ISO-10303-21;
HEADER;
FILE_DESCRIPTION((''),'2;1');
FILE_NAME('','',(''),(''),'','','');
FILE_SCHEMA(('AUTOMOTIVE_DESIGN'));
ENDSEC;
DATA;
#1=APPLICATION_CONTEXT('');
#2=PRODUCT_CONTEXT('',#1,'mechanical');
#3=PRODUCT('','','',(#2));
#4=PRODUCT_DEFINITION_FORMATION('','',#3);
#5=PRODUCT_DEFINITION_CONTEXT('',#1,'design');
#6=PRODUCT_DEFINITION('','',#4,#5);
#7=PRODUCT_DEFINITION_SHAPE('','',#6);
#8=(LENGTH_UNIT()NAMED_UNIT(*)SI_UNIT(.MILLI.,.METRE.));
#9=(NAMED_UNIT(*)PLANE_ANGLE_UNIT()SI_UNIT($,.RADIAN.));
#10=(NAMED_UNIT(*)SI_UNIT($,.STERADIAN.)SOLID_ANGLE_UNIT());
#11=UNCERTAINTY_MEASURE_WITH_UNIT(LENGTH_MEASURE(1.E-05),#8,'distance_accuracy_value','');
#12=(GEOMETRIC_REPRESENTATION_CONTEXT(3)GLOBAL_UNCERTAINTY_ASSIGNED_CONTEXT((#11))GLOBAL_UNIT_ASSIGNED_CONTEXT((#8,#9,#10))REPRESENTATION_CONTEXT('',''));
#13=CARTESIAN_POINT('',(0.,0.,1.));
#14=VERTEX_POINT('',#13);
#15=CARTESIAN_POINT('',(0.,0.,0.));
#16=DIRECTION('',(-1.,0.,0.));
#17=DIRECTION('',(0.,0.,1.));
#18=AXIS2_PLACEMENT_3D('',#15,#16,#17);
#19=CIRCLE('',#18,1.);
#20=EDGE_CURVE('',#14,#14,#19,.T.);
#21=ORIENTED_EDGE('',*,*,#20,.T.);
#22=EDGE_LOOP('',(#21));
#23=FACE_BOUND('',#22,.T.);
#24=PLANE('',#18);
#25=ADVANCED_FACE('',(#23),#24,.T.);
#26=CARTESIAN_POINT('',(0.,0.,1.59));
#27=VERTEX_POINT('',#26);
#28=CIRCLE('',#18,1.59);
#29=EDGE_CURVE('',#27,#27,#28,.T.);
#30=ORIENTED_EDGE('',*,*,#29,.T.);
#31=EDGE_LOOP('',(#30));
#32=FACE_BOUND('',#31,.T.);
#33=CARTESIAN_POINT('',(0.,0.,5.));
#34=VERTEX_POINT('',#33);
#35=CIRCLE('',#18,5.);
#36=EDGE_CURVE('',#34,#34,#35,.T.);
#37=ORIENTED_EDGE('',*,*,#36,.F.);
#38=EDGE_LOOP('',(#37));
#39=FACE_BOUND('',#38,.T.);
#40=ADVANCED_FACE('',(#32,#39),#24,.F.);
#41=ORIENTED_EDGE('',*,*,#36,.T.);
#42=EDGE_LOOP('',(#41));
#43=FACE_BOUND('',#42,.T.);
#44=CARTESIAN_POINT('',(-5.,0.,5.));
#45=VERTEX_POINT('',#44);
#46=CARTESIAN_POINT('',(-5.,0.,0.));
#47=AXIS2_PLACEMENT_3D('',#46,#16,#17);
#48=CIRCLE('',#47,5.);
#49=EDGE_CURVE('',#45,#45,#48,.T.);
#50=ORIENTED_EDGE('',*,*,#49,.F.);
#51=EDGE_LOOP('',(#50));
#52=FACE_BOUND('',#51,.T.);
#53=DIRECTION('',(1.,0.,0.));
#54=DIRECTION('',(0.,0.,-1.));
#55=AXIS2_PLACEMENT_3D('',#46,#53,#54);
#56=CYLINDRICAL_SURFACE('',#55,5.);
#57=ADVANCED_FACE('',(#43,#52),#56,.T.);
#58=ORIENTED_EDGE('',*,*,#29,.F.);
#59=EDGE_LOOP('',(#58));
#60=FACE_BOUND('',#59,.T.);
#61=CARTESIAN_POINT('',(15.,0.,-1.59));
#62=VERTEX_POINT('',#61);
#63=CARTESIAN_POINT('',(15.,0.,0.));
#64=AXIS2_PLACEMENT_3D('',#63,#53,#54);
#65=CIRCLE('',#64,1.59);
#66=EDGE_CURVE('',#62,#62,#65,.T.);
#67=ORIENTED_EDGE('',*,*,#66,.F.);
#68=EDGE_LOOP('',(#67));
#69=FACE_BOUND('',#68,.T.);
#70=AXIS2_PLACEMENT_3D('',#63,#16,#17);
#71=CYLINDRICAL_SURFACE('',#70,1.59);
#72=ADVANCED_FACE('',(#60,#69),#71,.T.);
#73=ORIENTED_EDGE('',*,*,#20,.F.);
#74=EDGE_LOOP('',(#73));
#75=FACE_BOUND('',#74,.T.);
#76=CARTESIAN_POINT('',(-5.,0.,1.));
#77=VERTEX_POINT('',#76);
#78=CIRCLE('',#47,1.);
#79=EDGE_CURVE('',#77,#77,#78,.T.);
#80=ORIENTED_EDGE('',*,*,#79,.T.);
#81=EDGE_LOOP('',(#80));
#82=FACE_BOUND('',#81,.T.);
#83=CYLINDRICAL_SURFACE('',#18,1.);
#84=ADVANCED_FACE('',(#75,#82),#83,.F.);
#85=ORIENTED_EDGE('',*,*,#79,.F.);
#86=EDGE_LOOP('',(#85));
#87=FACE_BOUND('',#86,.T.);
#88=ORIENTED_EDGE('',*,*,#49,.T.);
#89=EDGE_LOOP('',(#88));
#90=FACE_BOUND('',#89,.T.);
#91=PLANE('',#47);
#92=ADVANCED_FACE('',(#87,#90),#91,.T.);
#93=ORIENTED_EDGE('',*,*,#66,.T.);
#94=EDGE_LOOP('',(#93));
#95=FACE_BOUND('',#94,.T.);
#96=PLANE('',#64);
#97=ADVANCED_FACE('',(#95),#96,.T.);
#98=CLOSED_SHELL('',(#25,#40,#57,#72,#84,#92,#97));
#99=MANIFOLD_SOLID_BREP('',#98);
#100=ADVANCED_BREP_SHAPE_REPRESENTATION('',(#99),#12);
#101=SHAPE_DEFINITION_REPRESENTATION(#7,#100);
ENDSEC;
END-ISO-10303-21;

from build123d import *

# Parameters (mm, degrees)
ESBO_O1_R                = 1.59
RESSALTO_EXTRUS_O1_DEPTH = 15
ESBO_O3_R                = 5
RESSALTO_EXTRUS_O5_DEPTH = 5
ESBO_O8_R                = 1
CORTE_EXTRUS_O1_DEPTH    = 5


with BuildPart() as part:
    # Esboço1 → Ressalto-extrusão1 (new body)
    with BuildSketch(Plane(origin=(0, 0, 0), x_dir=(0, 0, -1), z_dir=(1, 0, 0))):
        Circle(ESBO_O1_R)
    extrude(amount=RESSALTO_EXTRUS_O1_DEPTH)

    # Esboço3 → Ressalto-extrusão5 (add)
    with BuildSketch(Plane.ZY):
        Circle(ESBO_O3_R)
    extrude(amount=RESSALTO_EXTRUS_O5_DEPTH)

    # Esboço8 → Corte-extrusão1 (cut)
    with BuildSketch(Plane.ZY.offset(5)):
        Circle(ESBO_O8_R)
    extrude(amount=-CORTE_EXTRUS_O1_DEPTH, mode=Mode.SUBTRACT)


solid = part.part
